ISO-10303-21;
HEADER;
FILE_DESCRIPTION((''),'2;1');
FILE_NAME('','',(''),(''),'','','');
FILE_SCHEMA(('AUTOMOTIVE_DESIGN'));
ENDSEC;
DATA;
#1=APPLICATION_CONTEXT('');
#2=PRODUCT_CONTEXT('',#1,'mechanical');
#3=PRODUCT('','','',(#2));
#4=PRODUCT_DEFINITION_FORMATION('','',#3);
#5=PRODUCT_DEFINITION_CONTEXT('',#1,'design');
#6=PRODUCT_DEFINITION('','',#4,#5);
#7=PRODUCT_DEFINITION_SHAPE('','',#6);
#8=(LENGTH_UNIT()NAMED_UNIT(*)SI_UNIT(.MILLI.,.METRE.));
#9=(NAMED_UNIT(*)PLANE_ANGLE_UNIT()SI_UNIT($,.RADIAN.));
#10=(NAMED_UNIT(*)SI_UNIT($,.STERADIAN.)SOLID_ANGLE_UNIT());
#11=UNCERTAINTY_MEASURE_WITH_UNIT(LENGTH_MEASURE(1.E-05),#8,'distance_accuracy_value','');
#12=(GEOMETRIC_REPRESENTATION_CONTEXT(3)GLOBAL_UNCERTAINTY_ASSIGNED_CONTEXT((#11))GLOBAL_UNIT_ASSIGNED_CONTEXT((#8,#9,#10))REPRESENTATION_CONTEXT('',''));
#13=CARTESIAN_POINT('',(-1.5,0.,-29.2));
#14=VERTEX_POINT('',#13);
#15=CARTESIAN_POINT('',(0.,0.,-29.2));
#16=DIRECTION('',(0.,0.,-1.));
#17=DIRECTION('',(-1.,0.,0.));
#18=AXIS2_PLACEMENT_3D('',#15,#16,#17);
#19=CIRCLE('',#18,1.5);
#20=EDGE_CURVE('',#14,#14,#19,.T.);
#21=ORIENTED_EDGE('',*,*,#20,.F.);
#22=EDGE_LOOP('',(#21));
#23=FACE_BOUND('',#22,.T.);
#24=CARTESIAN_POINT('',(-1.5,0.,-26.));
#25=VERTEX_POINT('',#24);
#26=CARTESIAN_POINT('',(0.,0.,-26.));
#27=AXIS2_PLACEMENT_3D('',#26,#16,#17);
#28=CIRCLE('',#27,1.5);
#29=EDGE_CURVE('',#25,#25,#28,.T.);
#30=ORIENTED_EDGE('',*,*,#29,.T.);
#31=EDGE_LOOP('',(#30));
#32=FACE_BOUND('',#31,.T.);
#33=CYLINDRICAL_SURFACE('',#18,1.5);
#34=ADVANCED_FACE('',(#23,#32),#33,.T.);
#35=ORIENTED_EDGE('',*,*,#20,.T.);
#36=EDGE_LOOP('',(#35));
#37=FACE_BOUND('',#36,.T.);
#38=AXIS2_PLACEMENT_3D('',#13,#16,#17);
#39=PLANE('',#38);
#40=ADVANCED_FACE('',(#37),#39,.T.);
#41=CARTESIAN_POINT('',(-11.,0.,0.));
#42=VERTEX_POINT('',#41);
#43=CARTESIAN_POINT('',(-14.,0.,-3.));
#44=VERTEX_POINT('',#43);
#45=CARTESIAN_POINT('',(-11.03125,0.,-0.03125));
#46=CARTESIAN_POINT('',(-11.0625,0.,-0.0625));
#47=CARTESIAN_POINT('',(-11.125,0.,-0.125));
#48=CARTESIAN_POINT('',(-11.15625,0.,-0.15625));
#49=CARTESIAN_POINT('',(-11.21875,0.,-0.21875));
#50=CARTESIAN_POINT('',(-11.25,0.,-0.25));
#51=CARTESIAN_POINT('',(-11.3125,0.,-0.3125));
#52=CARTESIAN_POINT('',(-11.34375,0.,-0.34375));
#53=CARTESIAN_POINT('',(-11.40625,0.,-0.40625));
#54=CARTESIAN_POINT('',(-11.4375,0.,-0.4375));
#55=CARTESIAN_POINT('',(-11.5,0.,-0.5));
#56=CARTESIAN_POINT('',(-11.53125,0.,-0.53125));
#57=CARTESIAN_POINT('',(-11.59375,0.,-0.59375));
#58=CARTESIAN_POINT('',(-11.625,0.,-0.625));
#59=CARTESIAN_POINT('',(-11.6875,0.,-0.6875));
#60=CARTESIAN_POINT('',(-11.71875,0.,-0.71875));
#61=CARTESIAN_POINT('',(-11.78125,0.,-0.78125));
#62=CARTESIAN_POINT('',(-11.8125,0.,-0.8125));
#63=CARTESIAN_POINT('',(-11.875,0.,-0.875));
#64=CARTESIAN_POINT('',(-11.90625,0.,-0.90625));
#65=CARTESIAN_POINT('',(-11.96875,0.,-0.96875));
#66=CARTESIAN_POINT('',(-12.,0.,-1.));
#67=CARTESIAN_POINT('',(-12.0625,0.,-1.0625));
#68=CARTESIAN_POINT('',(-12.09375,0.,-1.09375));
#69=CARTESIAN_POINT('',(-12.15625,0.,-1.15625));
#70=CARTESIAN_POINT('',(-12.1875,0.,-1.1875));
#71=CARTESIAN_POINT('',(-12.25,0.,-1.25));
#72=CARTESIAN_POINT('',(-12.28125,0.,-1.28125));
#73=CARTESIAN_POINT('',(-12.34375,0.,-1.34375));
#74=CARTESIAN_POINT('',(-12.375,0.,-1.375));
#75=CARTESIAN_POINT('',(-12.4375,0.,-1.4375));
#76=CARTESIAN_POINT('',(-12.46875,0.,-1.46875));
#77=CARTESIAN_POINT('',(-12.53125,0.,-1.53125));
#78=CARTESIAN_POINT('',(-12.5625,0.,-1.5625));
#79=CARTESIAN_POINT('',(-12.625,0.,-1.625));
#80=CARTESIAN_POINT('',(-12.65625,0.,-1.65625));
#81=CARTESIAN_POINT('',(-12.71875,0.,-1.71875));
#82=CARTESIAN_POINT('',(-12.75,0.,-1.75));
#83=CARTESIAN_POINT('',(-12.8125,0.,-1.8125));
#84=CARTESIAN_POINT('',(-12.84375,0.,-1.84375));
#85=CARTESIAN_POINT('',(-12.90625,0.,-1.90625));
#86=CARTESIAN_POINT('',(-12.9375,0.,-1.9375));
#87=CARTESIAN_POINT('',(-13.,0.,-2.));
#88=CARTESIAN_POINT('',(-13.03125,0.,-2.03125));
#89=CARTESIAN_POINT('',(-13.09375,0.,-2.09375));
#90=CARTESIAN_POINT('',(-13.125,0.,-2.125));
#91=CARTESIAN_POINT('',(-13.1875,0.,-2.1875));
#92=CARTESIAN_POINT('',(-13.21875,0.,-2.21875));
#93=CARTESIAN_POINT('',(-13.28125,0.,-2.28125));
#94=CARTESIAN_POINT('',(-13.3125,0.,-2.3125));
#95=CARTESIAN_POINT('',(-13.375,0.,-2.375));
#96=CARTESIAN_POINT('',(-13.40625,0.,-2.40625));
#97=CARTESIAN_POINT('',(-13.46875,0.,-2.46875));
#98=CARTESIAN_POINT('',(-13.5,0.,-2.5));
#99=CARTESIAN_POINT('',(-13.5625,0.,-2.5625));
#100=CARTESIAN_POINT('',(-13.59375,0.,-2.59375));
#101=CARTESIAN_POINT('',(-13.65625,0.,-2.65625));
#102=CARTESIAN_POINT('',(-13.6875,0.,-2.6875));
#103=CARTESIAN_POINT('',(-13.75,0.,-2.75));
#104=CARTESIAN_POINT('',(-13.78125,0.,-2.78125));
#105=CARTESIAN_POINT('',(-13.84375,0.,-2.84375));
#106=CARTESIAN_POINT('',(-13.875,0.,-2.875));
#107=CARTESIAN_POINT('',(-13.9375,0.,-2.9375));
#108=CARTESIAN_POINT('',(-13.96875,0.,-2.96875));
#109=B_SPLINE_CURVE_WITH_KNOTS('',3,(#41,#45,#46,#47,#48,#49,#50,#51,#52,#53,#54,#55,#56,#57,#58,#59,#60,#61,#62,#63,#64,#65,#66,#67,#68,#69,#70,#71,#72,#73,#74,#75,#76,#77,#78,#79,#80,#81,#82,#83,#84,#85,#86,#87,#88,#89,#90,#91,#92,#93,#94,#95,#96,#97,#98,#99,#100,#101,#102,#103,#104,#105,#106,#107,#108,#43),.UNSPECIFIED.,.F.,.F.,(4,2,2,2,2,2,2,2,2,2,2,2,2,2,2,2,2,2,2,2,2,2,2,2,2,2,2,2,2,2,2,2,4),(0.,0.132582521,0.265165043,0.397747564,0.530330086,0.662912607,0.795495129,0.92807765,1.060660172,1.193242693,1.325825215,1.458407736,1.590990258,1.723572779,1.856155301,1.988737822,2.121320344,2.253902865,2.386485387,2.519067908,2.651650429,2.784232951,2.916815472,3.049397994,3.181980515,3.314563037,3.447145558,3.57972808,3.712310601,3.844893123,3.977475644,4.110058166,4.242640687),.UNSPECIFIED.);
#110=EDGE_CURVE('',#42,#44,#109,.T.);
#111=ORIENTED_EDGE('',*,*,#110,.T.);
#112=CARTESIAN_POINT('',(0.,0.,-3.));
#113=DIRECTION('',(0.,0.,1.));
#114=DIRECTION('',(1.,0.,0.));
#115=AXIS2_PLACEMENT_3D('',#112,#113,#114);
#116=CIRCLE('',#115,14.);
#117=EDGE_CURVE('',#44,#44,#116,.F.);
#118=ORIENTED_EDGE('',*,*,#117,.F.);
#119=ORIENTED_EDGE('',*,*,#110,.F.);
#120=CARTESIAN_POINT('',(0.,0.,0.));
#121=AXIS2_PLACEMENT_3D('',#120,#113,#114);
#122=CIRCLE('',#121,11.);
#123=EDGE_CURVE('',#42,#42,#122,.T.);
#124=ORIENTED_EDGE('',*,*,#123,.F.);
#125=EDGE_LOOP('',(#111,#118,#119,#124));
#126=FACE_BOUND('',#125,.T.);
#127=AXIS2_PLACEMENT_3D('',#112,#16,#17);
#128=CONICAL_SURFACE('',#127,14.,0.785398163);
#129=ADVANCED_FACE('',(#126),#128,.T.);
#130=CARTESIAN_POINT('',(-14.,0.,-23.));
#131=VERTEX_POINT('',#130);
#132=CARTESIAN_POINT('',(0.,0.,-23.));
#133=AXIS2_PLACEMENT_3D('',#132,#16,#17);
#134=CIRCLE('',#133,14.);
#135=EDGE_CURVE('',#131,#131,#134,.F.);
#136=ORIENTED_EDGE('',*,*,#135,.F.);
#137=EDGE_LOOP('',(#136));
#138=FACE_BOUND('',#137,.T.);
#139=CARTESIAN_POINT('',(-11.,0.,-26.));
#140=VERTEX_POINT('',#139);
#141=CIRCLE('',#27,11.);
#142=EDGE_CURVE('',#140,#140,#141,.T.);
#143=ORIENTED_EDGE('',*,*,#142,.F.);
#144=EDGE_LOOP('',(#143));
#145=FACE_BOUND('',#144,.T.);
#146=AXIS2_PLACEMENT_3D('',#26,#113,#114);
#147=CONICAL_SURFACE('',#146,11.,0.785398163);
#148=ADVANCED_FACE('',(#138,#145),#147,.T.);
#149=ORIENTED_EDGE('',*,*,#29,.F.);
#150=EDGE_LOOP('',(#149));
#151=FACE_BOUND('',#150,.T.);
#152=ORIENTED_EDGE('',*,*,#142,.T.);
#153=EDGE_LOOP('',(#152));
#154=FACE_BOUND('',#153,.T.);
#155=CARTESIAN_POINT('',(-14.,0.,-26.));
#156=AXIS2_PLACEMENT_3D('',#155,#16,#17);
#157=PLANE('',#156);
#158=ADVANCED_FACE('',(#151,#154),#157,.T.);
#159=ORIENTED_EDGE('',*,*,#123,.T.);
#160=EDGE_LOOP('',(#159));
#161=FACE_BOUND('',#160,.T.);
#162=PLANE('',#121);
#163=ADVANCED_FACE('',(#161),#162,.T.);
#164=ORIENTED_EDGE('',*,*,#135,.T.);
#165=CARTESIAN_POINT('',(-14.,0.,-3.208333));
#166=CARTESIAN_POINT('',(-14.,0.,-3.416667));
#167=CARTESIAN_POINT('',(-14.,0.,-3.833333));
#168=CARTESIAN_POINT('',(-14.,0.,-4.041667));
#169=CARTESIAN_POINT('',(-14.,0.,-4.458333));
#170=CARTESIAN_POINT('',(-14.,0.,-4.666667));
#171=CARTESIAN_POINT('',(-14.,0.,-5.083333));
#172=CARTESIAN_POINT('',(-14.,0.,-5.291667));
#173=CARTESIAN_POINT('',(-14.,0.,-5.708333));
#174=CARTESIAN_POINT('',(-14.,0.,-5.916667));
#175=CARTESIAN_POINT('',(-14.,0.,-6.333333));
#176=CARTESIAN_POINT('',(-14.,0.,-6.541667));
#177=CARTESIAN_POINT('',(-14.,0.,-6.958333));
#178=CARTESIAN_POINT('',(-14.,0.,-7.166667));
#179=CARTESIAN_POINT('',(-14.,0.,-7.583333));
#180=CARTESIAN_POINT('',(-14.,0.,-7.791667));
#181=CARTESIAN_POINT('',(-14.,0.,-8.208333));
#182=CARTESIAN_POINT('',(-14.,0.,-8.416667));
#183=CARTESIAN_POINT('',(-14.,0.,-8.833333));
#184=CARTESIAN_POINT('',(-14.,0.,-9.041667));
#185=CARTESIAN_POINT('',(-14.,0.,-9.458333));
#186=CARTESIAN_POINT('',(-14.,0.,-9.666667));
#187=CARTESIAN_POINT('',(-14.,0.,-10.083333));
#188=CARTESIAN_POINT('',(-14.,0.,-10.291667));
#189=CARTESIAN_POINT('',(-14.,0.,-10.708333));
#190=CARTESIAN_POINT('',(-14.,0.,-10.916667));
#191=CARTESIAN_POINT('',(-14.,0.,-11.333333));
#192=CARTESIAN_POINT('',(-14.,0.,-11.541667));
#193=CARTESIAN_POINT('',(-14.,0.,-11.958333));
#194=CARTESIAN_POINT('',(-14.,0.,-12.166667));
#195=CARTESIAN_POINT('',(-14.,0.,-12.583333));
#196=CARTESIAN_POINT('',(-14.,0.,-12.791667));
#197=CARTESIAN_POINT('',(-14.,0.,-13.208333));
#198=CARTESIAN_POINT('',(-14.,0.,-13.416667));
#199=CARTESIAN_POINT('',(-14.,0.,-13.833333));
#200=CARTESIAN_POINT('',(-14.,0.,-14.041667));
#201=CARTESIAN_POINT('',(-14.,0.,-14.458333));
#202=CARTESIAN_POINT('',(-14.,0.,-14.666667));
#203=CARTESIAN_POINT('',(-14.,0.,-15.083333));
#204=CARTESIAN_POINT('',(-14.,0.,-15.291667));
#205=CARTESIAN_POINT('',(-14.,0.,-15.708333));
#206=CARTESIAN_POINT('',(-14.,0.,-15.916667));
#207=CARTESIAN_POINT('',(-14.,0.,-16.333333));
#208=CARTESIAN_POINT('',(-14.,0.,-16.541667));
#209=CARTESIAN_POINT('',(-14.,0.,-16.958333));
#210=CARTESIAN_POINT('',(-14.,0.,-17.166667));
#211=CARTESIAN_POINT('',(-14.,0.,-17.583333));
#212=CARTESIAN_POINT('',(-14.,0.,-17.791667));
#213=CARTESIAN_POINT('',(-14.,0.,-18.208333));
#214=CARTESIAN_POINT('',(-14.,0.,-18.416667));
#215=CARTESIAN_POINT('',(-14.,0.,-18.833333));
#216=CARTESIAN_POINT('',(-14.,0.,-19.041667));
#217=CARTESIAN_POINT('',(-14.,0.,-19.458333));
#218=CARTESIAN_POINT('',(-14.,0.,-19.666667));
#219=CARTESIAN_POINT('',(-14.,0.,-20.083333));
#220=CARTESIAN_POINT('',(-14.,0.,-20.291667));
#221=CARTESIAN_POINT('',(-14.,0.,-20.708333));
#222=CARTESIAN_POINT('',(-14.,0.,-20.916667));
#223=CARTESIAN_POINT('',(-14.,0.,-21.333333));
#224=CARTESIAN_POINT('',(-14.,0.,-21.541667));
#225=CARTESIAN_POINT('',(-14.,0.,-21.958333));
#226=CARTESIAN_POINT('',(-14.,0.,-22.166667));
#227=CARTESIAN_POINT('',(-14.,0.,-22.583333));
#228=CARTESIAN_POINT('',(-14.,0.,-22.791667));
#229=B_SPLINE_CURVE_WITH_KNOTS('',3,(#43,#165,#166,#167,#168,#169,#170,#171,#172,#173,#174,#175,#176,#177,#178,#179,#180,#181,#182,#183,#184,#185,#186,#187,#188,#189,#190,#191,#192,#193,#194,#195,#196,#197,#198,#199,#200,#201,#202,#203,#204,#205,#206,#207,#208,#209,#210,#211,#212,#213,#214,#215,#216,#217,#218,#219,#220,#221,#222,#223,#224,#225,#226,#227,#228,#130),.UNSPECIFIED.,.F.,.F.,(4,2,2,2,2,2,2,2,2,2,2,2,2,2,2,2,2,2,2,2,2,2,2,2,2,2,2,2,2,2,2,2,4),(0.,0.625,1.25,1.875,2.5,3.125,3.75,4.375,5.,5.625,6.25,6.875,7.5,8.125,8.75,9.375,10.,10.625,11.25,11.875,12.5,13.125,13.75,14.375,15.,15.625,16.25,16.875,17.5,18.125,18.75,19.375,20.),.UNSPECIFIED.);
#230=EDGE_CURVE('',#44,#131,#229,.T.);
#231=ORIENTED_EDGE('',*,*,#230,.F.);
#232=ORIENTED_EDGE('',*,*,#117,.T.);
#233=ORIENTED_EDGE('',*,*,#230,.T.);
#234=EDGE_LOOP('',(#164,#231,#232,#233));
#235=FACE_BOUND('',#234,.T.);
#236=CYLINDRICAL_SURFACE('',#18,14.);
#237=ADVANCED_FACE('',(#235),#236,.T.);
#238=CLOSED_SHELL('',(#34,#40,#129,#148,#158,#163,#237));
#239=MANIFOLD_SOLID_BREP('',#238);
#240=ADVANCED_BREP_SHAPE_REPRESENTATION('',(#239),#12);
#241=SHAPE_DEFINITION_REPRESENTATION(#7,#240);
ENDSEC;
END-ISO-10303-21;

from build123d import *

# Parameters (mm, degrees)
CHAMFER1_SIZE = 3


with BuildPart() as part:
    # Sketch1 → Revolve1 (revolve)
    with BuildSketch(Plane(origin=(0, 0, 0), x_dir=(1, 0, 0), z_dir=(0, 1, 0))):
        Polygon((0, 0), (-14, 0), (-14, 26), (-1.5, 26), (-1.5, 29.2), (0, 29.2), align=None)
    revolve(axis=Axis((0, 0, -29.2), (0, 0, 1)))

    # Chamfer1
    chamfer1_edges = [part.edges().sort_by_distance(p)[0] for p in [
        (14, 0, -26),
        (14, 0, 0),
    ]]
    chamfer(chamfer1_edges, length=CHAMFER1_SIZE)


solid = part.part
